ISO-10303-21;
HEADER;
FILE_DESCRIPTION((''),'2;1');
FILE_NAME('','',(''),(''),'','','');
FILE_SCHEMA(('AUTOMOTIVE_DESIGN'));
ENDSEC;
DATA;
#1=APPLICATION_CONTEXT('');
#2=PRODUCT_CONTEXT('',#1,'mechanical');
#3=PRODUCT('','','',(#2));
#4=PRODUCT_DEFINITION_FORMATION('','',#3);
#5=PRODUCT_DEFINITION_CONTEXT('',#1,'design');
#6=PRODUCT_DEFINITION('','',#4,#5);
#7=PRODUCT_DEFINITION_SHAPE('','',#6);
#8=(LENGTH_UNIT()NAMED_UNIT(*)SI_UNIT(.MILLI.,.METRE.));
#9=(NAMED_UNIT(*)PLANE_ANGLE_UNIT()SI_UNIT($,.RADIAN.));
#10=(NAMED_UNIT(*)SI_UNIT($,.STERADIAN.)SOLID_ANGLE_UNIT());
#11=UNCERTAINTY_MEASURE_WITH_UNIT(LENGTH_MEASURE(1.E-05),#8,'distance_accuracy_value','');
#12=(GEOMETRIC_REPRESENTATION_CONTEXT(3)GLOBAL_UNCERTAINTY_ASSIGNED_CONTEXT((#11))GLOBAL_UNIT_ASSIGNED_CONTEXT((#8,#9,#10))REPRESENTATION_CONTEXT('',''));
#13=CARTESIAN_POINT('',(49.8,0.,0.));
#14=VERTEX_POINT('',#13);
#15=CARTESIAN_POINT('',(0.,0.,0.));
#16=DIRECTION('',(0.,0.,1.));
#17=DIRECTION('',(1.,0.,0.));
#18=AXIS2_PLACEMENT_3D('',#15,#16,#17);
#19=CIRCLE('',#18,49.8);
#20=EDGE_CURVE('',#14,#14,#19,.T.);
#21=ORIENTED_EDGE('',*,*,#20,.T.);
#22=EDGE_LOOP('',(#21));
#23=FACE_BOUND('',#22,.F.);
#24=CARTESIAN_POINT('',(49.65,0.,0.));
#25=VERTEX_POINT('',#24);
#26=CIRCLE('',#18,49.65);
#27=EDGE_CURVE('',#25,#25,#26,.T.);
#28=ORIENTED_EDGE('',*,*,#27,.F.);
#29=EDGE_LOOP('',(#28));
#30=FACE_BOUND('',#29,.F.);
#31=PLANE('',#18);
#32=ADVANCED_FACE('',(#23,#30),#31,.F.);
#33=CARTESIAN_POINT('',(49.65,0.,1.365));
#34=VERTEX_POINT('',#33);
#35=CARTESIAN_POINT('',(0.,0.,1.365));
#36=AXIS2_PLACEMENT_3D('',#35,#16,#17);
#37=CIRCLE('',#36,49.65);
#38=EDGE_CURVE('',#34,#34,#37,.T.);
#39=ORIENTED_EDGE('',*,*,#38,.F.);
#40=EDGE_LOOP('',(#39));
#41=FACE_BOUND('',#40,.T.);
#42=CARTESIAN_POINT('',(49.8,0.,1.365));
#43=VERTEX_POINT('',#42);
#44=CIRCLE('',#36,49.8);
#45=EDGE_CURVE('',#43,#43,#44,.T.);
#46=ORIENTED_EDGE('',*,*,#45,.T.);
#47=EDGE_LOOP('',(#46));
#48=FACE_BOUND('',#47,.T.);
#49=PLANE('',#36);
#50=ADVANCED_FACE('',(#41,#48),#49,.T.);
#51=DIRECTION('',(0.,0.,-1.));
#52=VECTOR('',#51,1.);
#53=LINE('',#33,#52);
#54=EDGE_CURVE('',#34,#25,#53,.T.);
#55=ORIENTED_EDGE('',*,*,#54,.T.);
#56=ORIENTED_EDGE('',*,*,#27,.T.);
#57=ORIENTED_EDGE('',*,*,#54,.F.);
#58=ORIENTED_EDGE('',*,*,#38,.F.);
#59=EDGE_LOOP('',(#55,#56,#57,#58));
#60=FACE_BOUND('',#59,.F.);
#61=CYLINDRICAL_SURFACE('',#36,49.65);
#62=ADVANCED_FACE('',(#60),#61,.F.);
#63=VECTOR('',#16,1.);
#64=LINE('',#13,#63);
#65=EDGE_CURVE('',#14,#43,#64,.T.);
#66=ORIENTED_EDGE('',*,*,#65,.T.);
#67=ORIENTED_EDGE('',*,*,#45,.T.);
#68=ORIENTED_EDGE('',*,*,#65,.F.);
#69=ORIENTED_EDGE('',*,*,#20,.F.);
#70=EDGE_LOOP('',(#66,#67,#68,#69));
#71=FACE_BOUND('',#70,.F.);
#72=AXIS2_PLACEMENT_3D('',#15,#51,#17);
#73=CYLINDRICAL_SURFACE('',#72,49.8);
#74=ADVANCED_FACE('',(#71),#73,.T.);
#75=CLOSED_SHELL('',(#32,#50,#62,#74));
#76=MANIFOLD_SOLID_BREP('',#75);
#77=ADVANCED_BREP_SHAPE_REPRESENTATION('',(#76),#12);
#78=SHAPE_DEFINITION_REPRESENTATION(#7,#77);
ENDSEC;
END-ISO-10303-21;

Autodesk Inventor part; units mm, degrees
ref_plane "YZ Plane" through (0, 0, 0) normal (1, 0, 0) x (0, 1, 0)
ref_plane "XZ Plane" through (0, 0, 0) normal (0, 1, 0) x (-1, 0, 0)
ref_plane "XY Plane" through (0, 0, 0) normal (0, 0, 1) x (1, 0, 0)
sketch "Sketch1" plane through (0, 0, 0) normal (0, 0, 1) x (1, 0, 0)
  circle A0 centre (0, 0) radius 49.8
  dimension "d0" = 99.6
extrude "Extrusion1" add sketch "Sketch1" along normal blind 1.365
sketch "Sketch2" plane through (0, 0, 1.365) normal (0, 0, 1) x (1, 0, 0)
  circle A0 centre (0, 0) radius 49.65
  dimension "d3" = 99.3
extrude "Extrusion2" cut sketch "Sketch2" against normal through all
properties part number "BNG_REV_00_8"
